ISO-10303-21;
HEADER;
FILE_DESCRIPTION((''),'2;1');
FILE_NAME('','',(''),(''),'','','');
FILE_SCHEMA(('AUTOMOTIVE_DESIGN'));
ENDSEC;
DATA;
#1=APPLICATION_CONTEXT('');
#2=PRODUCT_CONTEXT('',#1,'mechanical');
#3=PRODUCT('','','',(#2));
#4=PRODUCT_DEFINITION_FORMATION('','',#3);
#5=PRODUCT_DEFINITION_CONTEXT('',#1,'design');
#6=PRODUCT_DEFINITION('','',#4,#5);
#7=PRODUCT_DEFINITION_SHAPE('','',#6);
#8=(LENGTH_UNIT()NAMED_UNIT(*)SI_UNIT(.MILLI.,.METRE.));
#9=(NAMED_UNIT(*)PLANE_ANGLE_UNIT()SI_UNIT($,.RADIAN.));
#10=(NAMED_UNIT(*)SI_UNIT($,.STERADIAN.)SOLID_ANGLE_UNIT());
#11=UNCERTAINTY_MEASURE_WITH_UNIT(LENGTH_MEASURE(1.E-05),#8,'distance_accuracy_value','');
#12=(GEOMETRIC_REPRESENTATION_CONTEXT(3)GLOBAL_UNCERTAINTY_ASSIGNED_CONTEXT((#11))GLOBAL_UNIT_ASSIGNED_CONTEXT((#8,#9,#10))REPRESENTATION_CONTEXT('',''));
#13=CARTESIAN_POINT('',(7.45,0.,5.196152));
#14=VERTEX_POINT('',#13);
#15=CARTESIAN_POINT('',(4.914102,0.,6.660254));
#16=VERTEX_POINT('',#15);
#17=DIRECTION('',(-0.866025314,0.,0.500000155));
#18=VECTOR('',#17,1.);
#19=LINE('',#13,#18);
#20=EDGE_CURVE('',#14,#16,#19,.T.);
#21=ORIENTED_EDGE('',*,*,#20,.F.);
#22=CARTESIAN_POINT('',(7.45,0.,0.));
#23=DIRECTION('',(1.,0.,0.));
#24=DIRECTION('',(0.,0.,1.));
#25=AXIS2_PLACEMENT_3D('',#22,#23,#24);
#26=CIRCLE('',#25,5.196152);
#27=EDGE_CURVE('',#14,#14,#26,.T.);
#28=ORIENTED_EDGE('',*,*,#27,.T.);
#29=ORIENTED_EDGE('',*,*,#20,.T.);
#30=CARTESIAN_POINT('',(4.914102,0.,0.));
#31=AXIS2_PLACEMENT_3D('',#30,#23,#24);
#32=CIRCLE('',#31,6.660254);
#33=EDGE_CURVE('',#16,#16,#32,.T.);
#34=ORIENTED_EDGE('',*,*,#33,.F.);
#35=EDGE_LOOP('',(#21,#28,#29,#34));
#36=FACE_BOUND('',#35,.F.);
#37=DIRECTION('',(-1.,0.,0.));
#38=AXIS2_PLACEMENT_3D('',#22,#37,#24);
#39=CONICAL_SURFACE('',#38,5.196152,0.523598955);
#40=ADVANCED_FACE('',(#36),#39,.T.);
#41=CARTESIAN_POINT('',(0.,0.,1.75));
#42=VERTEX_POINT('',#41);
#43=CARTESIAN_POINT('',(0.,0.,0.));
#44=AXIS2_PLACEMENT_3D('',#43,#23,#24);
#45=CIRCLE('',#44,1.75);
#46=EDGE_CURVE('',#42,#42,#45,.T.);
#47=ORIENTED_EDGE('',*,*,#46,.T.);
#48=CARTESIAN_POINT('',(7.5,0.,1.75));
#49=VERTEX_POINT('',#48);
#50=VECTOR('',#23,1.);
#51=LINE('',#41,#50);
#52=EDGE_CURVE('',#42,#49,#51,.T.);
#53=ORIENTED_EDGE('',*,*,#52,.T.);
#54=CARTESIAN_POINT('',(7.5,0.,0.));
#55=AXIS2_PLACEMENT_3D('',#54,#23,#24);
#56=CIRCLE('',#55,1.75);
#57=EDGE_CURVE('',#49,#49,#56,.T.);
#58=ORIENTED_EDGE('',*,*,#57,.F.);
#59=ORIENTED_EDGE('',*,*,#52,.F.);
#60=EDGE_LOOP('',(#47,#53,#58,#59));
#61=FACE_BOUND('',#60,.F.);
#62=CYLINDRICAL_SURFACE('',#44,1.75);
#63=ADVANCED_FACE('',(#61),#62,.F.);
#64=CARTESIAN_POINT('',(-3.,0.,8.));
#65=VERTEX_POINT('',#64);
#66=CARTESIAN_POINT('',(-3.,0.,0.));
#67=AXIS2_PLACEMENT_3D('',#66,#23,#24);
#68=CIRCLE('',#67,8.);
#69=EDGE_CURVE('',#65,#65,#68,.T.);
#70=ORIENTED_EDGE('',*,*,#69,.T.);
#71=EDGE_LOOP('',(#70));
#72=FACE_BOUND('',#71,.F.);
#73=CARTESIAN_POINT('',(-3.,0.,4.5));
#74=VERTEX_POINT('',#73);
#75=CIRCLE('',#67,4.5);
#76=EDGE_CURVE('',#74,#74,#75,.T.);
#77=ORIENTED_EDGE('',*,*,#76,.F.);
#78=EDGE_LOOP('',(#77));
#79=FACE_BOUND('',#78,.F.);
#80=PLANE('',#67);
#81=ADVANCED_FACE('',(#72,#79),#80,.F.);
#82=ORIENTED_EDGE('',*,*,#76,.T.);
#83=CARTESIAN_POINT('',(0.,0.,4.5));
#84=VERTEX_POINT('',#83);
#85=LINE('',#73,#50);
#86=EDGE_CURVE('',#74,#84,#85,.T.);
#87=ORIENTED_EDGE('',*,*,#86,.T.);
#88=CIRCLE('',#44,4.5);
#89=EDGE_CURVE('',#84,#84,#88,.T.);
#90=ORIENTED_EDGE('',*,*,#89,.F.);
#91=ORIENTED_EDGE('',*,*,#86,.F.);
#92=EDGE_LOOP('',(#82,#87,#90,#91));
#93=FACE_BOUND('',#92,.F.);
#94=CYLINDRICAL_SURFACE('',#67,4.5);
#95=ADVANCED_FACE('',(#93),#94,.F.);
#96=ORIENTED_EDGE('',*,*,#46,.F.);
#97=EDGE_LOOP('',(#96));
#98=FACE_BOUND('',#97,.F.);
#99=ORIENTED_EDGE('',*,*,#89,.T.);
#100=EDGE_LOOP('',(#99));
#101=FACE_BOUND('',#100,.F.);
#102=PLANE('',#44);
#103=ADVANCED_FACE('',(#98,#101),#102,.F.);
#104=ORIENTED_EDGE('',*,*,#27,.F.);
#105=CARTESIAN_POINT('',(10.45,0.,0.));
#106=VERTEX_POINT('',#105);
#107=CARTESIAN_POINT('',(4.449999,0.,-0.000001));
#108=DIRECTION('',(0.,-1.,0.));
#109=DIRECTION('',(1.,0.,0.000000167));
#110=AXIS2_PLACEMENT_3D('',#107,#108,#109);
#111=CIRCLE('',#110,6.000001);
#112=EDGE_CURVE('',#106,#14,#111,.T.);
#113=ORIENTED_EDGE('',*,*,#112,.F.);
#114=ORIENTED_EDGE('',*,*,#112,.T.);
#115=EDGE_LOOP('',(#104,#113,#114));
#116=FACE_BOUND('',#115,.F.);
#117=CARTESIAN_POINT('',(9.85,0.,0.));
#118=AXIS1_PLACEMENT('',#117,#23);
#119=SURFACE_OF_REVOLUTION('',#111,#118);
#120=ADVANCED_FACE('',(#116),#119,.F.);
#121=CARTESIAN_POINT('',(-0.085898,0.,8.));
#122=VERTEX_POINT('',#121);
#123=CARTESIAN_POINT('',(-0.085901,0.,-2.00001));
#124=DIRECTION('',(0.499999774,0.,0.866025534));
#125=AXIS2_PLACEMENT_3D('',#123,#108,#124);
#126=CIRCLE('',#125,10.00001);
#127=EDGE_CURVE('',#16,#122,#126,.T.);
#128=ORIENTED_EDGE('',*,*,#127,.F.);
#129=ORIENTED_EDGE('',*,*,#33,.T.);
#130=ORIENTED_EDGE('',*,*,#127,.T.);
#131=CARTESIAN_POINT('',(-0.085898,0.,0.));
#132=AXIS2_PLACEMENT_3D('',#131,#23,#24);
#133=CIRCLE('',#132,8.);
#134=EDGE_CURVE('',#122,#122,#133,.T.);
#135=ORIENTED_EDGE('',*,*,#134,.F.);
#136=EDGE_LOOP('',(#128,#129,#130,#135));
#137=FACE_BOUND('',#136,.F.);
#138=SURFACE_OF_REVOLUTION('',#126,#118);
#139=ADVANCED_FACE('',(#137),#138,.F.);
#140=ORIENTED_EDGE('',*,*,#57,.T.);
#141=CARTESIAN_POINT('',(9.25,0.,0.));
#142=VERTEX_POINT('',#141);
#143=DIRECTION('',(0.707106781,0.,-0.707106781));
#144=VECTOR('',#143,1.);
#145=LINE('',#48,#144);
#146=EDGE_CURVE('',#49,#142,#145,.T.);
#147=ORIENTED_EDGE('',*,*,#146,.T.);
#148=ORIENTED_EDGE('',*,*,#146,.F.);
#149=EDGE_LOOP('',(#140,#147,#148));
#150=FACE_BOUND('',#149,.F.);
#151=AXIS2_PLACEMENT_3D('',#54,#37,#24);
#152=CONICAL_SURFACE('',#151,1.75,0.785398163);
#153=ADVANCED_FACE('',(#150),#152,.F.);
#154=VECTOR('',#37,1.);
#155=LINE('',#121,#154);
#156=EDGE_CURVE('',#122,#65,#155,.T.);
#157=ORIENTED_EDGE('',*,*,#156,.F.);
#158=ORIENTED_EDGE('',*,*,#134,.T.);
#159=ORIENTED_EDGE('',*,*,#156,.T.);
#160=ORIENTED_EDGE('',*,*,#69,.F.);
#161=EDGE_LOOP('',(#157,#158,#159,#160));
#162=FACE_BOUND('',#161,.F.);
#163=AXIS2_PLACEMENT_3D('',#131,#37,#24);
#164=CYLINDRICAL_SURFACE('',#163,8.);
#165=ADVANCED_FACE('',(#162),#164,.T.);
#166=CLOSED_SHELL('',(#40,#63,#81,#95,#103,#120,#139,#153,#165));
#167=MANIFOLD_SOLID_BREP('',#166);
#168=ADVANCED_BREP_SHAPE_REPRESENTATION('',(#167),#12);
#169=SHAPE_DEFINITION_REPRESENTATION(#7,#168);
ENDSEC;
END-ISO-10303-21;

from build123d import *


with BuildPart() as f1:
    # F0 (on Front) → F1 (revolve)
    with BuildSketch(Plane.XZ):
        with BuildLine():
            Line((0, 4.5), (0, 1.75))
            Line((0, 1.75), (7.5, 1.75))
            Line((7.5, 1.75), (9.25, 0))
            Line((9.25, 0), (10.45, 0))
            ThreePointArc((10.45, 0), (9.646152, 3), (7.45, 5.196152))
            Line((7.45, 5.196152), (4.914102, 6.660254))
            ThreePointArc((4.914102, 6.660254), (2.502292, 7.659258), (-0.085898, 8))
            Line((-0.085898, 8), (-3, 8))
            Line((-3, 8), (-3, 4.5))
            Line((-3, 4.5), (0, 4.5))
        make_face()
    revolve(axis=Axis((9.85, 0, 0), (1, 0, 0)))


solid = f1.part
